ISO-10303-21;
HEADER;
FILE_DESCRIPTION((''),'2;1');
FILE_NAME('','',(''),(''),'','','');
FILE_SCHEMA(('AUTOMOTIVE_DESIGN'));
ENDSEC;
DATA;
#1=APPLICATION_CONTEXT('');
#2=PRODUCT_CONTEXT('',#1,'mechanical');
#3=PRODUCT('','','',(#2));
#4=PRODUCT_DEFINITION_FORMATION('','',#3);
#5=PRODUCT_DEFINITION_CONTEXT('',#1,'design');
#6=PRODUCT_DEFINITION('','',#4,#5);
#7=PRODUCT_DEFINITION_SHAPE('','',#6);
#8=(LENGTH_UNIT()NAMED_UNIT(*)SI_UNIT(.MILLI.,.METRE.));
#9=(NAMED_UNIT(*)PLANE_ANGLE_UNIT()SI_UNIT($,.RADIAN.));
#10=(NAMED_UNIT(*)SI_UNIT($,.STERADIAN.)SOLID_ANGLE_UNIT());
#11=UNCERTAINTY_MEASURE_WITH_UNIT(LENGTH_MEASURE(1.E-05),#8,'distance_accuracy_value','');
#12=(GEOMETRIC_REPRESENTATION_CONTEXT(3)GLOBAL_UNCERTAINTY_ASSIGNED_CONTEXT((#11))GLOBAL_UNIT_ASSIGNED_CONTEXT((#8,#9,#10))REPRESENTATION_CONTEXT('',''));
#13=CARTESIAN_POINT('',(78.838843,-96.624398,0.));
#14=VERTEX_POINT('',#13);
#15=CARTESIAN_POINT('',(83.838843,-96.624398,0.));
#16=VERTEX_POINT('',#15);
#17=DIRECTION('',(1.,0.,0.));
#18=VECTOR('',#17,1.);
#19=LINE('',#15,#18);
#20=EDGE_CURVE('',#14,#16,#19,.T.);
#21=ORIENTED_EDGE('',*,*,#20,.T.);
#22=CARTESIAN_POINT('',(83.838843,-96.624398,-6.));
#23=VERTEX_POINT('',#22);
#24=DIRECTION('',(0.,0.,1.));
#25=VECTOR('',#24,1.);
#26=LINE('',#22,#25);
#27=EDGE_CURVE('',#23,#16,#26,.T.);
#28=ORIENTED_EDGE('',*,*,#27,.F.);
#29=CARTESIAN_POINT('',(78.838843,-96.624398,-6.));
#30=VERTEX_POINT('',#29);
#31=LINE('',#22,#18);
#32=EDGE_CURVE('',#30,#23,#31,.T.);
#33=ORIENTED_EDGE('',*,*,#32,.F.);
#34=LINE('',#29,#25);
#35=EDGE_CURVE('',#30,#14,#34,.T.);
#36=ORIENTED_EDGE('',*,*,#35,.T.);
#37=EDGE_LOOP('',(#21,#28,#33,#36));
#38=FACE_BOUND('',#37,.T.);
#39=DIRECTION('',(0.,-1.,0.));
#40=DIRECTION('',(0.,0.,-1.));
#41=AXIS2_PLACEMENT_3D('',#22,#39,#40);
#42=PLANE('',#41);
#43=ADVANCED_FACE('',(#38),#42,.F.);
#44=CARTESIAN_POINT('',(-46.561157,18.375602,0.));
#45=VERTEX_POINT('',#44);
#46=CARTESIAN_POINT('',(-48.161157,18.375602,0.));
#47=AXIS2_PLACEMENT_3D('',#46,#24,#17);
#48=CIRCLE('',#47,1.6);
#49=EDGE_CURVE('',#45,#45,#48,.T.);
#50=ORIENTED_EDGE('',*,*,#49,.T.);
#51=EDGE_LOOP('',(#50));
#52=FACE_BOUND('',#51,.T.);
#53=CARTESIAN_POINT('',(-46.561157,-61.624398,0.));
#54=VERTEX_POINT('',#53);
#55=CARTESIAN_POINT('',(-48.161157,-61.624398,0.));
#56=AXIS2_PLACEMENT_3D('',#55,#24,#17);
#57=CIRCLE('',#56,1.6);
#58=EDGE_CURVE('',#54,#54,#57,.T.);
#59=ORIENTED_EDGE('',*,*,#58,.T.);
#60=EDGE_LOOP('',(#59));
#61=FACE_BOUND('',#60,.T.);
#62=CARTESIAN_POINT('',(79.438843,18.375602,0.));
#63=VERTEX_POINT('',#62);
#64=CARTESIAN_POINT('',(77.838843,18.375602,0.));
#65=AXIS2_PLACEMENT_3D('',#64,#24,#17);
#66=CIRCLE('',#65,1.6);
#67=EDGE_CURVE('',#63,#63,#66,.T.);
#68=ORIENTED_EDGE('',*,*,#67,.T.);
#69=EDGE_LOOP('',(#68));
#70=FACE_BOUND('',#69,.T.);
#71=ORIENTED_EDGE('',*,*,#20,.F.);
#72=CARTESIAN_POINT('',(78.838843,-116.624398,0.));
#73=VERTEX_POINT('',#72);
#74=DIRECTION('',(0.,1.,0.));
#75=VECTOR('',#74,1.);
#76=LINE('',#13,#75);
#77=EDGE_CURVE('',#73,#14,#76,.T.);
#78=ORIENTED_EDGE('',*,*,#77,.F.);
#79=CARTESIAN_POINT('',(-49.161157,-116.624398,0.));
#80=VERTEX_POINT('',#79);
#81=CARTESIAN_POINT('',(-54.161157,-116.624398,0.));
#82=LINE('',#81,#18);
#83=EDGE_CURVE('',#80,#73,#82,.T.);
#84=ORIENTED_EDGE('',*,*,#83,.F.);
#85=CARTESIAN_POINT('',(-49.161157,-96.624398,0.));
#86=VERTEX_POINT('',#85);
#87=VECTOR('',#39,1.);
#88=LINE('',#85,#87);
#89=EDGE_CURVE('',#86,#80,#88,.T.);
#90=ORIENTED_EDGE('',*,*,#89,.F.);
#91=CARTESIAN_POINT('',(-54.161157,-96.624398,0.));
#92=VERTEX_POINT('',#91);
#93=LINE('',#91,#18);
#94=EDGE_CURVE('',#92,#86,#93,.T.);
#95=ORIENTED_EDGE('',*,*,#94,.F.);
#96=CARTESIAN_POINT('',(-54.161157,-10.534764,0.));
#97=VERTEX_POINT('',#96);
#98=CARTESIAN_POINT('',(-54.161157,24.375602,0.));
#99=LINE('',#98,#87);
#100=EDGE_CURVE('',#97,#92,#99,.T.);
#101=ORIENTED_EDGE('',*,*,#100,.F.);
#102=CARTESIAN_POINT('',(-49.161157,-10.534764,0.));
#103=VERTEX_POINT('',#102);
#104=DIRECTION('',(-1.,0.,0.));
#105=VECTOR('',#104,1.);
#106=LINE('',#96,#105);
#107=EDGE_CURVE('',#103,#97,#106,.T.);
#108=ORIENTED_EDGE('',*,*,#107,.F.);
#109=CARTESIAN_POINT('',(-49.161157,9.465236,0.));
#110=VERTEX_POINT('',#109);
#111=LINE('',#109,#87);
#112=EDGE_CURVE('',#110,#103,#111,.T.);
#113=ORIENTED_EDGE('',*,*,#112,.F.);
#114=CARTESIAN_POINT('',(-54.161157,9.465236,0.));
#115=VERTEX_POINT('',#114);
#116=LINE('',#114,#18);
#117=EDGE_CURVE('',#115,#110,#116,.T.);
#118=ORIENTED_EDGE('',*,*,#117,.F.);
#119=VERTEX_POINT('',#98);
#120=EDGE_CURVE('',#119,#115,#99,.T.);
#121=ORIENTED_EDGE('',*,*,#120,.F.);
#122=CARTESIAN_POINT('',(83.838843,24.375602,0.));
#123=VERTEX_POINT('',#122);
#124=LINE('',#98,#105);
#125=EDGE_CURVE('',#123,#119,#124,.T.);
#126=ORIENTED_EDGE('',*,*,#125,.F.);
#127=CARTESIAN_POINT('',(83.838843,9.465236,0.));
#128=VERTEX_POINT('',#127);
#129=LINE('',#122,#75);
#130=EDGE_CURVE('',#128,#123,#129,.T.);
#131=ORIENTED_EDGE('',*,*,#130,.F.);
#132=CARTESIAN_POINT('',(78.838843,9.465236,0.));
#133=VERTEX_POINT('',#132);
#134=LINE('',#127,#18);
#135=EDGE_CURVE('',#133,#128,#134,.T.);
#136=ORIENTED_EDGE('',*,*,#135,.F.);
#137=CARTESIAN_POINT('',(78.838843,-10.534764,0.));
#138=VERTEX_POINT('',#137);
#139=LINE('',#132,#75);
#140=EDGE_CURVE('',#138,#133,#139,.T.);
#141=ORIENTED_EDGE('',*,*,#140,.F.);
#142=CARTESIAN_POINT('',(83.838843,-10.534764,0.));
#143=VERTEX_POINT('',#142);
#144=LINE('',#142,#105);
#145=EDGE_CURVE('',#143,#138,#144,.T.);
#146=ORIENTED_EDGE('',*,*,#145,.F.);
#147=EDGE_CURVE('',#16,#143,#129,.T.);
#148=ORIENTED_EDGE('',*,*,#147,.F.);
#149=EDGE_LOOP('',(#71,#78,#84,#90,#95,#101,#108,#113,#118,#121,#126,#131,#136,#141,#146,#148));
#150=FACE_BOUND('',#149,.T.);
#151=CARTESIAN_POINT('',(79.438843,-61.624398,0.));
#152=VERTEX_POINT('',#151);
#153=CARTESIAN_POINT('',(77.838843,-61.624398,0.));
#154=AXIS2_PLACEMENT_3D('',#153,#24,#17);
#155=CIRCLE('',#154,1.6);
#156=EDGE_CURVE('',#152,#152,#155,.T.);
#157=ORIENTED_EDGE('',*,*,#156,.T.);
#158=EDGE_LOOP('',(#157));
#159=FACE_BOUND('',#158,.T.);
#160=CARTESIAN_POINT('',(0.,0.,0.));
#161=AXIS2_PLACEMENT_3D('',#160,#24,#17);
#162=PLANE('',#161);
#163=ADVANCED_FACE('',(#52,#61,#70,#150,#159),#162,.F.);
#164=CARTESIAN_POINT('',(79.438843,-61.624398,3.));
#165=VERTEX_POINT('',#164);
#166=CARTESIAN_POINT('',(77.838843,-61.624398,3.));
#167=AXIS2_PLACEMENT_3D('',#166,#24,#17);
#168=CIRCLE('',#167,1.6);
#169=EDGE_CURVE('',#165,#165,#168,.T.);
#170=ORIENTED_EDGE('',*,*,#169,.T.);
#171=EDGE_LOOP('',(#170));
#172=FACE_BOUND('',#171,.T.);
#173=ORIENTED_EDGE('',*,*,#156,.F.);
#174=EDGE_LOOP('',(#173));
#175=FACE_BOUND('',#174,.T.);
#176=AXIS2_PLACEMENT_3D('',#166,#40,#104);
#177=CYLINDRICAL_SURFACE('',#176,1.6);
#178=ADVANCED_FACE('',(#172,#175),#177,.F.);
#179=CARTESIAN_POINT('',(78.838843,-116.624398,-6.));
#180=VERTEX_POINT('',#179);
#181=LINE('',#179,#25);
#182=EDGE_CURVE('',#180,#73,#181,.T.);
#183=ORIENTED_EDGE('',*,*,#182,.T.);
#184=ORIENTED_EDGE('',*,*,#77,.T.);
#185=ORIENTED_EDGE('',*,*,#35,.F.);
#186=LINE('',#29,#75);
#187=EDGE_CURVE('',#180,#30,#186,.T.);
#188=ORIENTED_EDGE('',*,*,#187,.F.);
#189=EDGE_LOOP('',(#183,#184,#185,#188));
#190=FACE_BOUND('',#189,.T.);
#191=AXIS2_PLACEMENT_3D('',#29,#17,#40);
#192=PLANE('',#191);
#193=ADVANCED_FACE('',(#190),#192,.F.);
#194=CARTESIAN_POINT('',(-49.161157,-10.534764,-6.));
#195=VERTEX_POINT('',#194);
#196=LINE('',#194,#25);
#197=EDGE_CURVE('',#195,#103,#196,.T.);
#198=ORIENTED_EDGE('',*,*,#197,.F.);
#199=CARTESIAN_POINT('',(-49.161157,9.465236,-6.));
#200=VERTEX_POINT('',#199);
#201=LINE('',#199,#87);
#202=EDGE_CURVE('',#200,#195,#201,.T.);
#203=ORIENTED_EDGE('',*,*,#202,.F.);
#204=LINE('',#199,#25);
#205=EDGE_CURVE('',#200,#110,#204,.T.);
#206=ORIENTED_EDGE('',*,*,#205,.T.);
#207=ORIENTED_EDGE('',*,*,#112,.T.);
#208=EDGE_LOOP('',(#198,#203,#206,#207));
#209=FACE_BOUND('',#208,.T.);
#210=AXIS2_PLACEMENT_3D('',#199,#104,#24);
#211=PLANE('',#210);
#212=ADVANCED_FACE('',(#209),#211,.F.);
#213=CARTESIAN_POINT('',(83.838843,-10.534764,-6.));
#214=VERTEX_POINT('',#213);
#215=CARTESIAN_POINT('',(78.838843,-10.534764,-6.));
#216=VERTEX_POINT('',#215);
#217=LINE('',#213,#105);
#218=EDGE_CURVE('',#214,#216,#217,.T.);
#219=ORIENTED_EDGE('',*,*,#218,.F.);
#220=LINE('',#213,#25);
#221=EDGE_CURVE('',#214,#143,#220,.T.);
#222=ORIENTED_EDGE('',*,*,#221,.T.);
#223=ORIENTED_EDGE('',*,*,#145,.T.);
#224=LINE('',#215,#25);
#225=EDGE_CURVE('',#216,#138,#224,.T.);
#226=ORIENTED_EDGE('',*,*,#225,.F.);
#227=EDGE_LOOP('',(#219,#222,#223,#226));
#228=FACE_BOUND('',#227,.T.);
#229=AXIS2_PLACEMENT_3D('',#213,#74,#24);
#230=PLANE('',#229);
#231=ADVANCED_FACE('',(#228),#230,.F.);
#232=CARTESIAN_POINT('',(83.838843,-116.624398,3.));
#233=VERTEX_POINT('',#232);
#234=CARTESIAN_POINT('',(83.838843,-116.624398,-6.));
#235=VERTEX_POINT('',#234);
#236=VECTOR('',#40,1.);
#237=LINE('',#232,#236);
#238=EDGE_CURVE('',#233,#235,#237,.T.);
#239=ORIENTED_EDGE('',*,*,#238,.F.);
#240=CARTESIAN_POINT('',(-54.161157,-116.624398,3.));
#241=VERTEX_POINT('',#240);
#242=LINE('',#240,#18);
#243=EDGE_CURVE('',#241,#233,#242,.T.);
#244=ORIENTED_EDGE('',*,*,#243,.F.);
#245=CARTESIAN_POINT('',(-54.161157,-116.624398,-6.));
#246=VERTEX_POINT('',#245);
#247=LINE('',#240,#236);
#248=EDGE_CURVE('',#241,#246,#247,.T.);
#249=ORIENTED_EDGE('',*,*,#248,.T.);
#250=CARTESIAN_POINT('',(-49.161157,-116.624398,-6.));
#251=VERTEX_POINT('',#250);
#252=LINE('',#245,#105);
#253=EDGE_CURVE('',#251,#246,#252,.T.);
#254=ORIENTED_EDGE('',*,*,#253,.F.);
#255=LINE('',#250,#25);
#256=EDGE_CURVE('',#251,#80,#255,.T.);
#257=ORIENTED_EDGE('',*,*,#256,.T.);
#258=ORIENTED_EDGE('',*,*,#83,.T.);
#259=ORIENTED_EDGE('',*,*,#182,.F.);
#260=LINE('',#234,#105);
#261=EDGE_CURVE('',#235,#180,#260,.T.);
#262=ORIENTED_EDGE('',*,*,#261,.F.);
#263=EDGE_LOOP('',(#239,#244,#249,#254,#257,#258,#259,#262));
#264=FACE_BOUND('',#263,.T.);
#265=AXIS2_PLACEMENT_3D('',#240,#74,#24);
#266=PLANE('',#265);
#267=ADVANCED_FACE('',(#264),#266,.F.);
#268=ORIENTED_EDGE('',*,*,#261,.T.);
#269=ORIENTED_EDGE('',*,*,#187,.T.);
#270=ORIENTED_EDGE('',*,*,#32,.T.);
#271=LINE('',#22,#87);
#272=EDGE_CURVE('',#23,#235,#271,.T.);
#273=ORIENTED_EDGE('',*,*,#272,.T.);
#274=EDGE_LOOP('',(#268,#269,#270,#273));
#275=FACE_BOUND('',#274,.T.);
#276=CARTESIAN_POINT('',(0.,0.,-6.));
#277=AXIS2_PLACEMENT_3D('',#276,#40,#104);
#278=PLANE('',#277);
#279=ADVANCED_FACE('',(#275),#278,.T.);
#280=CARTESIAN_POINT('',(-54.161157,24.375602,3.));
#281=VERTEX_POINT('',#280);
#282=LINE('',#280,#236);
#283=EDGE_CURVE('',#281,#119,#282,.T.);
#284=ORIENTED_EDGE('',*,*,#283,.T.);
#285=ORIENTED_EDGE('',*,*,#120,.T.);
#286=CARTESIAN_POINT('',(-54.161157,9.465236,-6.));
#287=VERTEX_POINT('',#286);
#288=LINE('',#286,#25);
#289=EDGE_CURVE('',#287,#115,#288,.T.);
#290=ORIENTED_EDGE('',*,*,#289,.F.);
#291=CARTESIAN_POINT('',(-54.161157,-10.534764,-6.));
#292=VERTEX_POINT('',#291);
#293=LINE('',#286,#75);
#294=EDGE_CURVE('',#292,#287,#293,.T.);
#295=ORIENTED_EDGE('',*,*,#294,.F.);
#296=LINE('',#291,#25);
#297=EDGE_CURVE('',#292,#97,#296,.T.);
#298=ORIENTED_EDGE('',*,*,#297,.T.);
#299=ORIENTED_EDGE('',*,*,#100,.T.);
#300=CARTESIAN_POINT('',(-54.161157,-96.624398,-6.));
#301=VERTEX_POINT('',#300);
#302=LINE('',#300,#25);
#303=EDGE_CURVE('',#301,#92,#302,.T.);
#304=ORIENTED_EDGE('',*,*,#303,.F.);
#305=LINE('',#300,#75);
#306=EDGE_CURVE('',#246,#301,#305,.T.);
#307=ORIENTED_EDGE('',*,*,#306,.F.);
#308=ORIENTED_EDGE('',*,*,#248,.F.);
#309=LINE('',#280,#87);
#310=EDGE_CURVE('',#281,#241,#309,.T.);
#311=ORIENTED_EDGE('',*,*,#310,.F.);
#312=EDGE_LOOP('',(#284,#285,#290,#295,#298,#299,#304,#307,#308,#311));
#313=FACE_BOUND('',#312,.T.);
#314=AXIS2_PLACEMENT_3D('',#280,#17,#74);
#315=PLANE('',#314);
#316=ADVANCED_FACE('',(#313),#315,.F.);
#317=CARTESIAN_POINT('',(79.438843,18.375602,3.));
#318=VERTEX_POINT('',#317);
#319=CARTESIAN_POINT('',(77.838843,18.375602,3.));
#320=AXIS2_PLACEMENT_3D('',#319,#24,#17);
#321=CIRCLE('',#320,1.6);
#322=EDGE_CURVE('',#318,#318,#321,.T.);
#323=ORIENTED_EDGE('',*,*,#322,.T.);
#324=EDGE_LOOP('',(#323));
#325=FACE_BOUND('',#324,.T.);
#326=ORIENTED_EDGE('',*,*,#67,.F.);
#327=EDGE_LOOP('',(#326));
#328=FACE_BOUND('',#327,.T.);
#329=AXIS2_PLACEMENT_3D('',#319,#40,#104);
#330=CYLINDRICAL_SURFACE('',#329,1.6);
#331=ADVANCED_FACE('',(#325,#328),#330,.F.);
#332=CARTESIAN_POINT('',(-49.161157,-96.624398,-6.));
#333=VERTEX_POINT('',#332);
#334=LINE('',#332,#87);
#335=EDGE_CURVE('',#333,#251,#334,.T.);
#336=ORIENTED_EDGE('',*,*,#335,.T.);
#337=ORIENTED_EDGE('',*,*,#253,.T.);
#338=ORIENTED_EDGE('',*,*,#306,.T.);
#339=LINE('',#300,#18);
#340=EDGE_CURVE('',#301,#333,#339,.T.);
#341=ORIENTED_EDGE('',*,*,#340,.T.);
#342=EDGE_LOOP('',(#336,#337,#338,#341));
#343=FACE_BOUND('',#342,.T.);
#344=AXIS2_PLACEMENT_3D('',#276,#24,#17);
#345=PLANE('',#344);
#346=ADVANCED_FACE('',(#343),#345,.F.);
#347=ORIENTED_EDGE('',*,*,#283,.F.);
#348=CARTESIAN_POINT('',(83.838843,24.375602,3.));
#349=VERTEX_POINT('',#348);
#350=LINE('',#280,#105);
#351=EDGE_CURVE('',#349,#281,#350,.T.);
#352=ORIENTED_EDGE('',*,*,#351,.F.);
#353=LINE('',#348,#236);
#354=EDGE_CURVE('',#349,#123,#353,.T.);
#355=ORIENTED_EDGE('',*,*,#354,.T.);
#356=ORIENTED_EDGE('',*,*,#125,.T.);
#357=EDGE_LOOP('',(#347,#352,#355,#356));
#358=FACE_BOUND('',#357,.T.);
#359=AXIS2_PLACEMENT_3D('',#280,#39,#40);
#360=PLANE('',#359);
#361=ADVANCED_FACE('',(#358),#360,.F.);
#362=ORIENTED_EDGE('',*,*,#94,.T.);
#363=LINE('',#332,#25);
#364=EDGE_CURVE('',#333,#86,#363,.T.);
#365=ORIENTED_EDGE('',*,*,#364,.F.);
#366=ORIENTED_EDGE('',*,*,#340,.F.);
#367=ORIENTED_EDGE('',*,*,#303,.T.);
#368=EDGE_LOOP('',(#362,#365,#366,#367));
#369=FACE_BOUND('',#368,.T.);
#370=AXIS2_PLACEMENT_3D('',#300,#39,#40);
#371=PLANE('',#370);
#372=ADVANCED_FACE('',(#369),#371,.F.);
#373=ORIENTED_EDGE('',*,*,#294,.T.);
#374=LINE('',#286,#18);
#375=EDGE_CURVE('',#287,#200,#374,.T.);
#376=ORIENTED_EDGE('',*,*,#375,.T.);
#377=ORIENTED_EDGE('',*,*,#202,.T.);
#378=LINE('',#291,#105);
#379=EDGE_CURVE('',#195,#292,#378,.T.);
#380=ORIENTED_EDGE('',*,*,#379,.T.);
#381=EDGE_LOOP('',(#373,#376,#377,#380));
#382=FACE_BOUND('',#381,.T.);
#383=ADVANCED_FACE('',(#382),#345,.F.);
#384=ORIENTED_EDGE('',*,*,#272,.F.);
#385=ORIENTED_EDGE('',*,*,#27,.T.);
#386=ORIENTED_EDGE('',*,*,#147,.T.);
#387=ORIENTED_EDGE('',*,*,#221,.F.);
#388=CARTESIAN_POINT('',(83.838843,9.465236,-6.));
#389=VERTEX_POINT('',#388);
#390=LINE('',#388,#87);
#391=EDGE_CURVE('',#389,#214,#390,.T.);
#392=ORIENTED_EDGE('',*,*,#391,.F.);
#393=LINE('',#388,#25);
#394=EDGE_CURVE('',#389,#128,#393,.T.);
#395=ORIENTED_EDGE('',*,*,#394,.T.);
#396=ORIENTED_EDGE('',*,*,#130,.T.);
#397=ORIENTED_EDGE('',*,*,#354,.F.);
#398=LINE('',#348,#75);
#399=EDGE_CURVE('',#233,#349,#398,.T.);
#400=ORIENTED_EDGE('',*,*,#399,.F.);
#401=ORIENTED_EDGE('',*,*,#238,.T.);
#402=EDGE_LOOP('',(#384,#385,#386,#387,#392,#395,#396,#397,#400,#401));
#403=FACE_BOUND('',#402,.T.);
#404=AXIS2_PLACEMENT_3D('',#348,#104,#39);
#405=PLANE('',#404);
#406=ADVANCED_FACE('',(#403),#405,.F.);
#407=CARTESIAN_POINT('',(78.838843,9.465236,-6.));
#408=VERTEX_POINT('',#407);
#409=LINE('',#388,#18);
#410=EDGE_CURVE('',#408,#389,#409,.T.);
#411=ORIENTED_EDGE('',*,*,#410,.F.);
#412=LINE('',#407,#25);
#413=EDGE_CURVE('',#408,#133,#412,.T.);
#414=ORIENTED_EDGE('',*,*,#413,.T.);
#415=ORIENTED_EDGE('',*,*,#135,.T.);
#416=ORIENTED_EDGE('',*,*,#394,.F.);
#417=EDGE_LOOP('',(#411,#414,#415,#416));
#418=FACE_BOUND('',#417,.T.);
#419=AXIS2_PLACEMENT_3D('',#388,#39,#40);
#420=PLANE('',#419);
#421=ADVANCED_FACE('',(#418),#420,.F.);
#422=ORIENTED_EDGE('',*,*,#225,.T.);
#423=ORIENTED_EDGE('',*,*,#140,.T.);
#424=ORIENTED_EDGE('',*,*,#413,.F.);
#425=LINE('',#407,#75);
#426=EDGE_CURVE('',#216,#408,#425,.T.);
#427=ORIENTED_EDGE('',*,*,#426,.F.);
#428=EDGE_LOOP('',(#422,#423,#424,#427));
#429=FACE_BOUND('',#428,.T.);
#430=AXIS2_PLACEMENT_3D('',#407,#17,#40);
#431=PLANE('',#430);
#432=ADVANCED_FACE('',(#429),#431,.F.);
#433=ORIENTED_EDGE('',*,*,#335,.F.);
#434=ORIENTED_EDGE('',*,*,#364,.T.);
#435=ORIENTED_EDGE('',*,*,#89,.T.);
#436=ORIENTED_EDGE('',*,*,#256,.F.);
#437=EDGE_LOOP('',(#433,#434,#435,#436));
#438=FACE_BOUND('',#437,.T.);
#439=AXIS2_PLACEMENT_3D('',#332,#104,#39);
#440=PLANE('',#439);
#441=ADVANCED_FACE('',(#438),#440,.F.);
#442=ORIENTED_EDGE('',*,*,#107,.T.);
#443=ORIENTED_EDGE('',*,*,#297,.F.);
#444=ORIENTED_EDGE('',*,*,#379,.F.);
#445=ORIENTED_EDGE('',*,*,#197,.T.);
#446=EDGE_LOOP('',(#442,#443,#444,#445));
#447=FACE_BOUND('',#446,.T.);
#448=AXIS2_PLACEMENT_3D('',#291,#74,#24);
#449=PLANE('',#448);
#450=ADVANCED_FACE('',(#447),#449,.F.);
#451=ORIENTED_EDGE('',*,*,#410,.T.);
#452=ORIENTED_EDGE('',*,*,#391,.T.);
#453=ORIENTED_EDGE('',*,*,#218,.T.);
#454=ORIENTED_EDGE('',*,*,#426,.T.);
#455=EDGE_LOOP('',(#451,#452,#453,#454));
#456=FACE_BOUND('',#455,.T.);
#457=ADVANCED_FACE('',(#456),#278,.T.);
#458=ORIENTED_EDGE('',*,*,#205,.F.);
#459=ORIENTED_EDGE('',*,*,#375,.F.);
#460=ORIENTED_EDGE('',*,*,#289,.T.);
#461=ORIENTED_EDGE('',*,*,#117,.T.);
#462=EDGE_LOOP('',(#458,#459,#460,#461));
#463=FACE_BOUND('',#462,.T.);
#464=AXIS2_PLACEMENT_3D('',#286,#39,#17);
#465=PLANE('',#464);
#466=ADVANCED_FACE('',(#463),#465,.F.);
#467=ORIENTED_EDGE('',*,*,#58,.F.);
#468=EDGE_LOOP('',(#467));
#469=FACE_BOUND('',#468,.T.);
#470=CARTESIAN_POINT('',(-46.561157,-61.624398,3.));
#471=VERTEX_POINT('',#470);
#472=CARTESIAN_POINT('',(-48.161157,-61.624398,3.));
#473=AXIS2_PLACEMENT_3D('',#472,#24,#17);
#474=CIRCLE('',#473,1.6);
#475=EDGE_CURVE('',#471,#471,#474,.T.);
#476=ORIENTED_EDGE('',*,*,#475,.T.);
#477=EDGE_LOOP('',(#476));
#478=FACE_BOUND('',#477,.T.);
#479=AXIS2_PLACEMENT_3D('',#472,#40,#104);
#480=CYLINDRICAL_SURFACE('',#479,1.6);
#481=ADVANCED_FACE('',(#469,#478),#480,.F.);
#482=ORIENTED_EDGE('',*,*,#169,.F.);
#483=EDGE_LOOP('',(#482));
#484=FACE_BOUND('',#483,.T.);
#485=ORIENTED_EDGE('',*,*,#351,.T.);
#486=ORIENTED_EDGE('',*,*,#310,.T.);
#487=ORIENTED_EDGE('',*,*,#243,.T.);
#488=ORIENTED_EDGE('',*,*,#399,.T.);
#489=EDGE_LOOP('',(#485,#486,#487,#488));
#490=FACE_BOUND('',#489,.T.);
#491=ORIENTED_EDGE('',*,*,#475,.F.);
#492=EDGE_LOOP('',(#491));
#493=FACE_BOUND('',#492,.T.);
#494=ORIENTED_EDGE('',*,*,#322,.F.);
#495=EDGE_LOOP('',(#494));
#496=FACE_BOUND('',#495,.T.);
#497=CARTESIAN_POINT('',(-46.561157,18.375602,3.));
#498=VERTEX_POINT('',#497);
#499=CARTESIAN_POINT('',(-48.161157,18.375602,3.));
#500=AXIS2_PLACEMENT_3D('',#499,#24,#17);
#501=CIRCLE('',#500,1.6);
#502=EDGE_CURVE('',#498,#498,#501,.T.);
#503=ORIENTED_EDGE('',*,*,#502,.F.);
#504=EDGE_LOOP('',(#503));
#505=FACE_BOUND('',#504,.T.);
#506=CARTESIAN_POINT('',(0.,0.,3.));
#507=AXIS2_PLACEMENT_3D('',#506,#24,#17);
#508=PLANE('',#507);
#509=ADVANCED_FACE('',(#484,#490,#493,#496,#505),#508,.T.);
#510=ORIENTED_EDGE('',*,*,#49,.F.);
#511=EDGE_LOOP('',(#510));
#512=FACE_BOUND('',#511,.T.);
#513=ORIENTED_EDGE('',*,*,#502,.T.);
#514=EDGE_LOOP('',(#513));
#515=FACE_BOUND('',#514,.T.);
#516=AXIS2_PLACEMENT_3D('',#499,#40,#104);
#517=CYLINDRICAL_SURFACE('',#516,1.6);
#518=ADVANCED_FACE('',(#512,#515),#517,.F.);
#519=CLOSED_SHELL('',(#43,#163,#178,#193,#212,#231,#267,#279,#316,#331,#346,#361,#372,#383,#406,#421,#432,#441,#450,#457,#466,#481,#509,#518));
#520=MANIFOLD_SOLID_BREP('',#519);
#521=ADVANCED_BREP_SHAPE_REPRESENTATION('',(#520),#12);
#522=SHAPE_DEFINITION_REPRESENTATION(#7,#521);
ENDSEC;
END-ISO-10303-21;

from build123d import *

# Parameters (mm, degrees)
SKETCH_1_W      = 138
SKETCH_1_H      = 141
SKETCH_1_R      = 1.6
EXTRUDE_1_DEPTH = 3
SKETCH_2_W      = 5
SKETCH_2_H      = 20
EXTRUDE_2_DEPTH = 6


with BuildPart() as part:
    # 草图1 → 凸台-拉伸1 (new body)
    with BuildSketch(Plane.XY):
        with Locations((14.838842975, -46.124397743)):
            Rectangle(SKETCH_1_W, SKETCH_1_H)
        with Locations((-48.161157025, 18.375602257)):
            Circle(SKETCH_1_R, mode=Mode.SUBTRACT)
        with Locations((77.838842975, 18.375602257)):
            Circle(SKETCH_1_R, mode=Mode.SUBTRACT)
        with Locations((-48.161157025, -61.624397743)):
            Circle(SKETCH_1_R, mode=Mode.SUBTRACT)
        with Locations((77.838842975, -61.624397743)):
            Circle(SKETCH_1_R, mode=Mode.SUBTRACT)
    extrude(amount=EXTRUDE_1_DEPTH)

    # 草图2 → 凸台-拉伸2 (add)
    with BuildSketch(Plane(origin=(0, 0, 0), x_dir=(-1, 0, 0), z_dir=(0, 0, -1))):
        with Locations((-81.338842975, -106.624397743)):
            Rectangle(SKETCH_2_W, SKETCH_2_H)
        with Locations((-81.338842975, -0.534764205)):
            Rectangle(SKETCH_2_W, SKETCH_2_H)
        with Locations((51.661157025, -106.624397743)):
            Rectangle(SKETCH_2_W, SKETCH_2_H)
        with Locations((51.661157025, -0.534764205)):
            Rectangle(SKETCH_2_W, SKETCH_2_H)
    extrude(amount=EXTRUDE_2_DEPTH)


solid = part.part
